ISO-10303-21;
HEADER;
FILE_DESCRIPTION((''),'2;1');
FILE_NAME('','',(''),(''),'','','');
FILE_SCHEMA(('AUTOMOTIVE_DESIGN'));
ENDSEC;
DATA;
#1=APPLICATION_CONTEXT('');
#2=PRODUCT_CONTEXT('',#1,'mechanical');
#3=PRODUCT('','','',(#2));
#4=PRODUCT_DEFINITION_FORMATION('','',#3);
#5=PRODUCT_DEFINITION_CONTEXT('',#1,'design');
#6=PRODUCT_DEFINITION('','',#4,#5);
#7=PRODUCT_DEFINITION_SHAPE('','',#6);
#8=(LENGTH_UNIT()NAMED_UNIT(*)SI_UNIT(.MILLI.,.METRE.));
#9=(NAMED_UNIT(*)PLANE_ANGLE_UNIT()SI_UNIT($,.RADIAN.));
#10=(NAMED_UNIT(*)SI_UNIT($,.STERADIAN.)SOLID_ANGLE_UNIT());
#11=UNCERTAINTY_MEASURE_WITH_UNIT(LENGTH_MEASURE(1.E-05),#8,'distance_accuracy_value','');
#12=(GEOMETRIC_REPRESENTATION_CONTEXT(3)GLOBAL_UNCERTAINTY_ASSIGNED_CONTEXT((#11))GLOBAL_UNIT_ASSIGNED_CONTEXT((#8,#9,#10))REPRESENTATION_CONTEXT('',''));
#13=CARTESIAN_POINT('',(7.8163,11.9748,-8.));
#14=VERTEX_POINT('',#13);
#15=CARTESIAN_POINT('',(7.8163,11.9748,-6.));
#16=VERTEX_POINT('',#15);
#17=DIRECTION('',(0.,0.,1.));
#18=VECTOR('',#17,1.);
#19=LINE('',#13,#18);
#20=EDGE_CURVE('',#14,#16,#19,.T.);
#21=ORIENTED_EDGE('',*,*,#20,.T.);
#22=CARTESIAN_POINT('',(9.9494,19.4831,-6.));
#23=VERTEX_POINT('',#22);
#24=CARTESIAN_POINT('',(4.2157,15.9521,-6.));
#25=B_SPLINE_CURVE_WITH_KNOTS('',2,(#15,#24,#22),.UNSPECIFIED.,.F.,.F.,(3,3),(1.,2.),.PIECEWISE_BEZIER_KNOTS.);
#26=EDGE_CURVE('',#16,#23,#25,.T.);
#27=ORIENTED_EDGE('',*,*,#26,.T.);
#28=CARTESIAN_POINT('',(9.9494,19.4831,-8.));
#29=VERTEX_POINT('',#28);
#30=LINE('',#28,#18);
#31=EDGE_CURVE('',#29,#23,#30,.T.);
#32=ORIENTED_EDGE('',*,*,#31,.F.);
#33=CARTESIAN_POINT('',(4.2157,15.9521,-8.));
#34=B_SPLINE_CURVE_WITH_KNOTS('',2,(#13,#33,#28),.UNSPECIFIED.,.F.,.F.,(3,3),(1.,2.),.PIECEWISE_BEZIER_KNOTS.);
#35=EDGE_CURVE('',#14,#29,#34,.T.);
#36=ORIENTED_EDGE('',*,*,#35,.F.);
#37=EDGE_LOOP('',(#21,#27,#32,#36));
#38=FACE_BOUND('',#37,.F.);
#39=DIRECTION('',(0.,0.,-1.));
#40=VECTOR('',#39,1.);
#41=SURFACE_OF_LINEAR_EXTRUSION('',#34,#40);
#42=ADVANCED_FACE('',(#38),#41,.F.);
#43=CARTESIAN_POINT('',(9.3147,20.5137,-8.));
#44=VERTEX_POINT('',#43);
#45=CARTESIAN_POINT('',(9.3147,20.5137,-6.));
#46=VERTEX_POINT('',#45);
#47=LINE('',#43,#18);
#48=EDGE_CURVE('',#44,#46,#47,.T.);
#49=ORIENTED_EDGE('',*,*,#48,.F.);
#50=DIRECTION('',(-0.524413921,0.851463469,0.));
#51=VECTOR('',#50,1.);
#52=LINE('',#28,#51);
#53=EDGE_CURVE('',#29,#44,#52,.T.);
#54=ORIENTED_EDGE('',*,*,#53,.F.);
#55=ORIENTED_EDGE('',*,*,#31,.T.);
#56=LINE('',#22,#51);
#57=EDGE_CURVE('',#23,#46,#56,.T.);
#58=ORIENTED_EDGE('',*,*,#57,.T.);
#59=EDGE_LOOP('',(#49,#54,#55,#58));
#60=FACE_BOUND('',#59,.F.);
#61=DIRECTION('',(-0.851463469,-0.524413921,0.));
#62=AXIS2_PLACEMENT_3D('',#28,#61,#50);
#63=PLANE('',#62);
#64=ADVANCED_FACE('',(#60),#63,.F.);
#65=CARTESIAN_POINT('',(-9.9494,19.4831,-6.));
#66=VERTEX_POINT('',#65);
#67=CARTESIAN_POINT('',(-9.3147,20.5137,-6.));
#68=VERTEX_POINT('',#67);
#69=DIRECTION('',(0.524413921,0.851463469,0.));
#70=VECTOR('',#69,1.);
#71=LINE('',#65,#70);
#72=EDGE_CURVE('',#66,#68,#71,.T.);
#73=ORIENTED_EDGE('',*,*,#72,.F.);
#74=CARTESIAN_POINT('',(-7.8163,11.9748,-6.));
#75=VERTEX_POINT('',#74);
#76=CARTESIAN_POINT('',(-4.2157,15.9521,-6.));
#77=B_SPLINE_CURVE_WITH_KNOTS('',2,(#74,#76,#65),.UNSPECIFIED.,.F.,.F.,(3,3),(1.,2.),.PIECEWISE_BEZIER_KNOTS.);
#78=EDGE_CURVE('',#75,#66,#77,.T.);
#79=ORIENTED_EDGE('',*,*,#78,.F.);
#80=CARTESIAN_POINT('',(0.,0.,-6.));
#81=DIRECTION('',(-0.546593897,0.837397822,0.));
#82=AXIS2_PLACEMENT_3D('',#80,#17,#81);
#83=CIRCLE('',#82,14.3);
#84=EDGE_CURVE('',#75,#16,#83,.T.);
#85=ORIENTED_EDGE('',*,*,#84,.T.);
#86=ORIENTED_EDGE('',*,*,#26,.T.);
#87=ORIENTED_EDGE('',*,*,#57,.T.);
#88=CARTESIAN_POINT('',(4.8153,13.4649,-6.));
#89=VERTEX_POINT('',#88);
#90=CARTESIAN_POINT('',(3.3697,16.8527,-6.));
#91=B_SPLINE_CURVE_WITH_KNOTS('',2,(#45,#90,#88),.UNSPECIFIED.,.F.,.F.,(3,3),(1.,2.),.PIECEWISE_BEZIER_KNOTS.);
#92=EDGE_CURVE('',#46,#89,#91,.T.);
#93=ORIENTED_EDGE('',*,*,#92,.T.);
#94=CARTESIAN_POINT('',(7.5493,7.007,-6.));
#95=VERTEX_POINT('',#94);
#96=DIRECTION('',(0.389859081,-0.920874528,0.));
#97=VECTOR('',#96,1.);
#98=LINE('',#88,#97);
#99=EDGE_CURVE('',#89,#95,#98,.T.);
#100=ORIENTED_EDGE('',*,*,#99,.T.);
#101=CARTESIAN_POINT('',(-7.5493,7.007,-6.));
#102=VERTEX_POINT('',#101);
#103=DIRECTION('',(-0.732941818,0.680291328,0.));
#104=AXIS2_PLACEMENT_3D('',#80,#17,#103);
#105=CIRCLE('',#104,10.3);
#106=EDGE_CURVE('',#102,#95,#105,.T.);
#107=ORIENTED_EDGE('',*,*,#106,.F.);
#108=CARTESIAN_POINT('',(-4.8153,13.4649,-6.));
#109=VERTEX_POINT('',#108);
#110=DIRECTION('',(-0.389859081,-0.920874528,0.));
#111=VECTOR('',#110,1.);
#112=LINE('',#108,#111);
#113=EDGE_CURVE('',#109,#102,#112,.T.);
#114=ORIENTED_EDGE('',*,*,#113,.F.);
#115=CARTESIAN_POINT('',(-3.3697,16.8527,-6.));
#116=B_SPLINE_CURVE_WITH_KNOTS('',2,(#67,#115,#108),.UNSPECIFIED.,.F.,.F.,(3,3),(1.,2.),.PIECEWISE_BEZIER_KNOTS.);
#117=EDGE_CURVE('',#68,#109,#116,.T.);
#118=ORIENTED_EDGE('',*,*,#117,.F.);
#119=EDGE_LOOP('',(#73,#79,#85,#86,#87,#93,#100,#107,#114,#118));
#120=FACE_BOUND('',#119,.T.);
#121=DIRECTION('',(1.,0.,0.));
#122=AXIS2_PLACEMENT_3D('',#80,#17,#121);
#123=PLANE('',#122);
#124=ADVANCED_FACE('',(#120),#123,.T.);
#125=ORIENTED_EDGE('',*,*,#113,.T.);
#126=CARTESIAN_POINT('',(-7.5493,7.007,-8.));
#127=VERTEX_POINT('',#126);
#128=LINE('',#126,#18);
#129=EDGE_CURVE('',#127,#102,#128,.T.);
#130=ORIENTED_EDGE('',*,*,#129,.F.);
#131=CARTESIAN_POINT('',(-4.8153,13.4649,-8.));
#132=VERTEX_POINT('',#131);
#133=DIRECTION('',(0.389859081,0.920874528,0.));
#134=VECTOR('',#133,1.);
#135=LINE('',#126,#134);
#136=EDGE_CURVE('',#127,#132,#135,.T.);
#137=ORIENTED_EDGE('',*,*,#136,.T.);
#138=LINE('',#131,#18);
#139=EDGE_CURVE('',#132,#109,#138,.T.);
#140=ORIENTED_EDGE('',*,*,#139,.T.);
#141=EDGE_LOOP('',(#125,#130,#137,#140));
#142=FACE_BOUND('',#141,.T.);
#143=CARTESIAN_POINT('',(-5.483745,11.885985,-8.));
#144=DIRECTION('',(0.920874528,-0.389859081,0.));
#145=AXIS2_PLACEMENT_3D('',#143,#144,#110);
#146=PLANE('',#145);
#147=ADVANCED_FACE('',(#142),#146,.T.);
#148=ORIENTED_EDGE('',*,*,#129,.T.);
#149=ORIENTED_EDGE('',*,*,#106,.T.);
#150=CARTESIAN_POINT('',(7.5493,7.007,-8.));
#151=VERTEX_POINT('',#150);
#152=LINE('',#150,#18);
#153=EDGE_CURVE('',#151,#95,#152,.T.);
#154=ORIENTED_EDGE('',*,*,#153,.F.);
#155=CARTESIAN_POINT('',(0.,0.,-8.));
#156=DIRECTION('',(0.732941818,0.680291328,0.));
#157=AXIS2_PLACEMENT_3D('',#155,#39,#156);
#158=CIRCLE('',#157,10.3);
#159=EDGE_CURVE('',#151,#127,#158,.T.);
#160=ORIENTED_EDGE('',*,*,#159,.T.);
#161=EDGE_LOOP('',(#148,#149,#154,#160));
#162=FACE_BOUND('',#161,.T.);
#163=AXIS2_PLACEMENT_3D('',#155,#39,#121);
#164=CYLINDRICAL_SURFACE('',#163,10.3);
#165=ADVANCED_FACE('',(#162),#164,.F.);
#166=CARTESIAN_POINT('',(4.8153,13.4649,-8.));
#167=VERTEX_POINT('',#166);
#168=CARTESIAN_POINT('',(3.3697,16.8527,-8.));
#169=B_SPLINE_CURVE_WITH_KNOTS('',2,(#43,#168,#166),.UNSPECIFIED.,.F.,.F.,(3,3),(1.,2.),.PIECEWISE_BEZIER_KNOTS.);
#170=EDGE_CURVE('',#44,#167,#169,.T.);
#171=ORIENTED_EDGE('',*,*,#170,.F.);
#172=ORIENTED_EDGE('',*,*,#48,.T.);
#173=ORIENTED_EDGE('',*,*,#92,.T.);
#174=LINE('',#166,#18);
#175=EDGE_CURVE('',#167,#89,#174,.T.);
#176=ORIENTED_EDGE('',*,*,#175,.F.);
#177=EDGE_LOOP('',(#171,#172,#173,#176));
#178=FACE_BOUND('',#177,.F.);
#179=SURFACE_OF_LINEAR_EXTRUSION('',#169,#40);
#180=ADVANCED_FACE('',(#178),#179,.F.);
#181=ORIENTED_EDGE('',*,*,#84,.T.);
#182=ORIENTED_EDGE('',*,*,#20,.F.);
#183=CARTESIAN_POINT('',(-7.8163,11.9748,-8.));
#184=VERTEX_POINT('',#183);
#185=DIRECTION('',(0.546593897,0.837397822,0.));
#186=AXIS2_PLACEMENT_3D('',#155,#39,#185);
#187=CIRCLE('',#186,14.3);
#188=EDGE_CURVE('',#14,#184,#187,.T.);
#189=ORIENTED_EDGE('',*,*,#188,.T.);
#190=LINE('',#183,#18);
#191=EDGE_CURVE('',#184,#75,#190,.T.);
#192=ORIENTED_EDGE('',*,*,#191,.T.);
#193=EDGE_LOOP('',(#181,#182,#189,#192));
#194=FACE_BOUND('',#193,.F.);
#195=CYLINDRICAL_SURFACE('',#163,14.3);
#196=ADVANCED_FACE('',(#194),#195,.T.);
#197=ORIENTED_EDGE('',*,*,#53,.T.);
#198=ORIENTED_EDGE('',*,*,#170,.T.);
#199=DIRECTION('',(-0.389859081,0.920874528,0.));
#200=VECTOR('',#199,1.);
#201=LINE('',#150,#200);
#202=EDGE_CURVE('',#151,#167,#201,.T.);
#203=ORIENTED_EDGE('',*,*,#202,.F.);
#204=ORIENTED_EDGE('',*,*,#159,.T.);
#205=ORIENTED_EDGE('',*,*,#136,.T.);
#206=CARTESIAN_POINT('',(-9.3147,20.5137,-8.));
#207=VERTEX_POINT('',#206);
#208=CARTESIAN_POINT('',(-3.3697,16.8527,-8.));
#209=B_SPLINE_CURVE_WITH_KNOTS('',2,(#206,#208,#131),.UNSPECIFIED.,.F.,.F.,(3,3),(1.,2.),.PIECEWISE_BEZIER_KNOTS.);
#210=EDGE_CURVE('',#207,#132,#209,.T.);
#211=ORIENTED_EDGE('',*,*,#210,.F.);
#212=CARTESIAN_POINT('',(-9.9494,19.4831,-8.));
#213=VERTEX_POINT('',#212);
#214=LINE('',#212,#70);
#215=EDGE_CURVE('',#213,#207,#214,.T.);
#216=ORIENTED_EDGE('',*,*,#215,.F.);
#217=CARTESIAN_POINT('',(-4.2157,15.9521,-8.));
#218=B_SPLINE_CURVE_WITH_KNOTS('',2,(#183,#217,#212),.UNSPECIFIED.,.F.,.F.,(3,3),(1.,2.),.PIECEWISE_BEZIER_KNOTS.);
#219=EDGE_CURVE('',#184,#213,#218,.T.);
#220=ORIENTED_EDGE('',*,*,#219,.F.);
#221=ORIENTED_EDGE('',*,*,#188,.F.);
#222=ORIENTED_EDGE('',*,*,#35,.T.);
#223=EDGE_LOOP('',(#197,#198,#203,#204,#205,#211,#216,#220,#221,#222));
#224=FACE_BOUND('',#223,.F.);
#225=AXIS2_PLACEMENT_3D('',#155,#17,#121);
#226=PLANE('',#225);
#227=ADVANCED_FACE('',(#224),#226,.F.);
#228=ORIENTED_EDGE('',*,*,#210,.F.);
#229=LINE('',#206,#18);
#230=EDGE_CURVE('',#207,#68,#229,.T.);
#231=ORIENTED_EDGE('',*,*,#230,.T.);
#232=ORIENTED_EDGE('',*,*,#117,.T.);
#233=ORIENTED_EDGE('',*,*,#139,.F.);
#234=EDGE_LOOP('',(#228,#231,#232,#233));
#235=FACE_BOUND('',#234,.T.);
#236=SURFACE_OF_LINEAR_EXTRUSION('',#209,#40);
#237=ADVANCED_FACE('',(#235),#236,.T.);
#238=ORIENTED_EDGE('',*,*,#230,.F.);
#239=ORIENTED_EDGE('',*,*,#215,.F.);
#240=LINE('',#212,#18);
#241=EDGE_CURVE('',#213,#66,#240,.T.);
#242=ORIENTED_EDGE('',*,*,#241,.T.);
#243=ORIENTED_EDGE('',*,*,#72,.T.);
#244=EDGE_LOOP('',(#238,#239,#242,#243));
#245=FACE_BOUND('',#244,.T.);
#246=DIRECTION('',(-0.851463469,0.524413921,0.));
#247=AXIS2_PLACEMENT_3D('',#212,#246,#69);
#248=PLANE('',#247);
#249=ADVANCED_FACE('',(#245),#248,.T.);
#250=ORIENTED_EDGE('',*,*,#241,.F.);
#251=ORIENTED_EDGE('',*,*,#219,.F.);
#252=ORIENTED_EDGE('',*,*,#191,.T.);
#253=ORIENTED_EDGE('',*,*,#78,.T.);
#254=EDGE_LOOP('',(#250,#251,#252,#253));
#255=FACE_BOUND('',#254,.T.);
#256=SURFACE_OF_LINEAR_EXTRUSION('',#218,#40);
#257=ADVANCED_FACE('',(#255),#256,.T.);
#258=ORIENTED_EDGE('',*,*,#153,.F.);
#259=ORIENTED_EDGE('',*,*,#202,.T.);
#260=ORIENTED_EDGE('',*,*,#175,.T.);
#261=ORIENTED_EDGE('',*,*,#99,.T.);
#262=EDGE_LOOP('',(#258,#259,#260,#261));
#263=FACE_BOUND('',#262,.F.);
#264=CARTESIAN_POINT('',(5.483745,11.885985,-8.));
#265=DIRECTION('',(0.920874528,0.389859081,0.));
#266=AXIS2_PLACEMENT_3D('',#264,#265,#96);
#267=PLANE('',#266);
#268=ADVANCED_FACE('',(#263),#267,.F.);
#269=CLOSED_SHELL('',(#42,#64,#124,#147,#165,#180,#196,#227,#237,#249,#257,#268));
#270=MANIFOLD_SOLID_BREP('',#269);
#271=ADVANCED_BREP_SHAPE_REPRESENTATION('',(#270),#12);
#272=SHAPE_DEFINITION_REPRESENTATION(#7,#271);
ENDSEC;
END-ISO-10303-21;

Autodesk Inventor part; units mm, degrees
ref_plane "YZ Plane" through (0, 0, 0) normal (1, 0, 0) x (0, 1, 0)
ref_plane "XZ Plane" through (0, 0, 0) normal (0, 1, 0) x (-1, 0, 0)
ref_plane "XY Plane" through (0, 0, 0) normal (0, 0, 1) x (1, 0, 0)
ref_plane "Work Plane1" through (0, 0, -8) normal (0, 0, 1) x (1, 0, 0)
sketch "Sketch1" plane through (0, 0, -8) normal (0, 0, 1) x (1, 0, 0)
  circle A0 centre (0, 0) radius 13.09 projected
  circle A1 centre (0, 0) radius 10 projected
  circle A2 centre (0, 0) radius 13.09 projected
  circle A3 centre (0, 0) radius 10.3
  circle A4 centre (0, 0) radius 14.3
  line L0 (-7.8163, 11.9748) -> (-4.2157, 15.9521) construction
  line L1 (-4.2157, 15.9521) -> (-9.9494, 19.4831) construction
  spline S0 degree 2 poles (-7.8163, 11.9748) (-4.2157, 15.9521) (-9.9494, 19.4831) knots 1 1 1 2 2 2
  line L2 (-9.9494, 19.4831) -> (-9.2931, 20.5487)
  line L3 (-9.3147, 20.5137) -> (-3.3697, 16.8527) construction
  line L4 (-3.3697, 16.8527) -> (-4.8153, 13.4649) construction
  spline S1 degree 2 poles (-9.3147, 20.5137) (-3.3697, 16.8527) (-4.8153, 13.4649) knots 1 1 1 2 2 2
  line L5 (-4.8153, 13.4649) -> (-7.5493, 7.007)
  line L6 (0, 0) -> (0, 1.6434)
  line L7 (7.8163, 11.9748) -> (4.2157, 15.9521) construction
  line L8 (4.2157, 15.9521) -> (9.9494, 19.4831) construction
  spline S2 degree 2 poles (7.8163, 11.9748) (4.2157, 15.9521) (9.9494, 19.4831) knots 1 1 1 2 2 2
  line L9 (9.9494, 19.4831) -> (9.2931, 20.5487)
  line L10 (9.3147, 20.5137) -> (3.3697, 16.8527) construction
  line L11 (3.3697, 16.8527) -> (4.8153, 13.4649) construction
  spline S3 degree 2 poles (9.3147, 20.5137) (3.3697, 16.8527) (4.8153, 13.4649) knots 1 1 1 2 2 2
  line L12 (4.8153, 13.4649) -> (7.5493, 7.007)
  point P0 (0, 0)
  point P1 (4.8153, 13.4649)
  point P2 (7.5493, 7.007)
  point P3 (-4.8153, 13.4649)
  point P4 (7.8163, 11.9748)
  point P5 (4.8153, 13.4649)
  dimension "d0" = 0.3
  dimension "d1" = 4
extrude "Extrusion1" add sketch "Sketch1" along normal blind 2 contours A0 L5 A3 L12 | A0 L12 A4 L5 | S3 L9 S2 A4 | A4 S0 L2 S1 picked at (-7.0541, 9.7176) picked at (13.6381, 2.1556)
properties part number "axle_cap_3DPrint"
